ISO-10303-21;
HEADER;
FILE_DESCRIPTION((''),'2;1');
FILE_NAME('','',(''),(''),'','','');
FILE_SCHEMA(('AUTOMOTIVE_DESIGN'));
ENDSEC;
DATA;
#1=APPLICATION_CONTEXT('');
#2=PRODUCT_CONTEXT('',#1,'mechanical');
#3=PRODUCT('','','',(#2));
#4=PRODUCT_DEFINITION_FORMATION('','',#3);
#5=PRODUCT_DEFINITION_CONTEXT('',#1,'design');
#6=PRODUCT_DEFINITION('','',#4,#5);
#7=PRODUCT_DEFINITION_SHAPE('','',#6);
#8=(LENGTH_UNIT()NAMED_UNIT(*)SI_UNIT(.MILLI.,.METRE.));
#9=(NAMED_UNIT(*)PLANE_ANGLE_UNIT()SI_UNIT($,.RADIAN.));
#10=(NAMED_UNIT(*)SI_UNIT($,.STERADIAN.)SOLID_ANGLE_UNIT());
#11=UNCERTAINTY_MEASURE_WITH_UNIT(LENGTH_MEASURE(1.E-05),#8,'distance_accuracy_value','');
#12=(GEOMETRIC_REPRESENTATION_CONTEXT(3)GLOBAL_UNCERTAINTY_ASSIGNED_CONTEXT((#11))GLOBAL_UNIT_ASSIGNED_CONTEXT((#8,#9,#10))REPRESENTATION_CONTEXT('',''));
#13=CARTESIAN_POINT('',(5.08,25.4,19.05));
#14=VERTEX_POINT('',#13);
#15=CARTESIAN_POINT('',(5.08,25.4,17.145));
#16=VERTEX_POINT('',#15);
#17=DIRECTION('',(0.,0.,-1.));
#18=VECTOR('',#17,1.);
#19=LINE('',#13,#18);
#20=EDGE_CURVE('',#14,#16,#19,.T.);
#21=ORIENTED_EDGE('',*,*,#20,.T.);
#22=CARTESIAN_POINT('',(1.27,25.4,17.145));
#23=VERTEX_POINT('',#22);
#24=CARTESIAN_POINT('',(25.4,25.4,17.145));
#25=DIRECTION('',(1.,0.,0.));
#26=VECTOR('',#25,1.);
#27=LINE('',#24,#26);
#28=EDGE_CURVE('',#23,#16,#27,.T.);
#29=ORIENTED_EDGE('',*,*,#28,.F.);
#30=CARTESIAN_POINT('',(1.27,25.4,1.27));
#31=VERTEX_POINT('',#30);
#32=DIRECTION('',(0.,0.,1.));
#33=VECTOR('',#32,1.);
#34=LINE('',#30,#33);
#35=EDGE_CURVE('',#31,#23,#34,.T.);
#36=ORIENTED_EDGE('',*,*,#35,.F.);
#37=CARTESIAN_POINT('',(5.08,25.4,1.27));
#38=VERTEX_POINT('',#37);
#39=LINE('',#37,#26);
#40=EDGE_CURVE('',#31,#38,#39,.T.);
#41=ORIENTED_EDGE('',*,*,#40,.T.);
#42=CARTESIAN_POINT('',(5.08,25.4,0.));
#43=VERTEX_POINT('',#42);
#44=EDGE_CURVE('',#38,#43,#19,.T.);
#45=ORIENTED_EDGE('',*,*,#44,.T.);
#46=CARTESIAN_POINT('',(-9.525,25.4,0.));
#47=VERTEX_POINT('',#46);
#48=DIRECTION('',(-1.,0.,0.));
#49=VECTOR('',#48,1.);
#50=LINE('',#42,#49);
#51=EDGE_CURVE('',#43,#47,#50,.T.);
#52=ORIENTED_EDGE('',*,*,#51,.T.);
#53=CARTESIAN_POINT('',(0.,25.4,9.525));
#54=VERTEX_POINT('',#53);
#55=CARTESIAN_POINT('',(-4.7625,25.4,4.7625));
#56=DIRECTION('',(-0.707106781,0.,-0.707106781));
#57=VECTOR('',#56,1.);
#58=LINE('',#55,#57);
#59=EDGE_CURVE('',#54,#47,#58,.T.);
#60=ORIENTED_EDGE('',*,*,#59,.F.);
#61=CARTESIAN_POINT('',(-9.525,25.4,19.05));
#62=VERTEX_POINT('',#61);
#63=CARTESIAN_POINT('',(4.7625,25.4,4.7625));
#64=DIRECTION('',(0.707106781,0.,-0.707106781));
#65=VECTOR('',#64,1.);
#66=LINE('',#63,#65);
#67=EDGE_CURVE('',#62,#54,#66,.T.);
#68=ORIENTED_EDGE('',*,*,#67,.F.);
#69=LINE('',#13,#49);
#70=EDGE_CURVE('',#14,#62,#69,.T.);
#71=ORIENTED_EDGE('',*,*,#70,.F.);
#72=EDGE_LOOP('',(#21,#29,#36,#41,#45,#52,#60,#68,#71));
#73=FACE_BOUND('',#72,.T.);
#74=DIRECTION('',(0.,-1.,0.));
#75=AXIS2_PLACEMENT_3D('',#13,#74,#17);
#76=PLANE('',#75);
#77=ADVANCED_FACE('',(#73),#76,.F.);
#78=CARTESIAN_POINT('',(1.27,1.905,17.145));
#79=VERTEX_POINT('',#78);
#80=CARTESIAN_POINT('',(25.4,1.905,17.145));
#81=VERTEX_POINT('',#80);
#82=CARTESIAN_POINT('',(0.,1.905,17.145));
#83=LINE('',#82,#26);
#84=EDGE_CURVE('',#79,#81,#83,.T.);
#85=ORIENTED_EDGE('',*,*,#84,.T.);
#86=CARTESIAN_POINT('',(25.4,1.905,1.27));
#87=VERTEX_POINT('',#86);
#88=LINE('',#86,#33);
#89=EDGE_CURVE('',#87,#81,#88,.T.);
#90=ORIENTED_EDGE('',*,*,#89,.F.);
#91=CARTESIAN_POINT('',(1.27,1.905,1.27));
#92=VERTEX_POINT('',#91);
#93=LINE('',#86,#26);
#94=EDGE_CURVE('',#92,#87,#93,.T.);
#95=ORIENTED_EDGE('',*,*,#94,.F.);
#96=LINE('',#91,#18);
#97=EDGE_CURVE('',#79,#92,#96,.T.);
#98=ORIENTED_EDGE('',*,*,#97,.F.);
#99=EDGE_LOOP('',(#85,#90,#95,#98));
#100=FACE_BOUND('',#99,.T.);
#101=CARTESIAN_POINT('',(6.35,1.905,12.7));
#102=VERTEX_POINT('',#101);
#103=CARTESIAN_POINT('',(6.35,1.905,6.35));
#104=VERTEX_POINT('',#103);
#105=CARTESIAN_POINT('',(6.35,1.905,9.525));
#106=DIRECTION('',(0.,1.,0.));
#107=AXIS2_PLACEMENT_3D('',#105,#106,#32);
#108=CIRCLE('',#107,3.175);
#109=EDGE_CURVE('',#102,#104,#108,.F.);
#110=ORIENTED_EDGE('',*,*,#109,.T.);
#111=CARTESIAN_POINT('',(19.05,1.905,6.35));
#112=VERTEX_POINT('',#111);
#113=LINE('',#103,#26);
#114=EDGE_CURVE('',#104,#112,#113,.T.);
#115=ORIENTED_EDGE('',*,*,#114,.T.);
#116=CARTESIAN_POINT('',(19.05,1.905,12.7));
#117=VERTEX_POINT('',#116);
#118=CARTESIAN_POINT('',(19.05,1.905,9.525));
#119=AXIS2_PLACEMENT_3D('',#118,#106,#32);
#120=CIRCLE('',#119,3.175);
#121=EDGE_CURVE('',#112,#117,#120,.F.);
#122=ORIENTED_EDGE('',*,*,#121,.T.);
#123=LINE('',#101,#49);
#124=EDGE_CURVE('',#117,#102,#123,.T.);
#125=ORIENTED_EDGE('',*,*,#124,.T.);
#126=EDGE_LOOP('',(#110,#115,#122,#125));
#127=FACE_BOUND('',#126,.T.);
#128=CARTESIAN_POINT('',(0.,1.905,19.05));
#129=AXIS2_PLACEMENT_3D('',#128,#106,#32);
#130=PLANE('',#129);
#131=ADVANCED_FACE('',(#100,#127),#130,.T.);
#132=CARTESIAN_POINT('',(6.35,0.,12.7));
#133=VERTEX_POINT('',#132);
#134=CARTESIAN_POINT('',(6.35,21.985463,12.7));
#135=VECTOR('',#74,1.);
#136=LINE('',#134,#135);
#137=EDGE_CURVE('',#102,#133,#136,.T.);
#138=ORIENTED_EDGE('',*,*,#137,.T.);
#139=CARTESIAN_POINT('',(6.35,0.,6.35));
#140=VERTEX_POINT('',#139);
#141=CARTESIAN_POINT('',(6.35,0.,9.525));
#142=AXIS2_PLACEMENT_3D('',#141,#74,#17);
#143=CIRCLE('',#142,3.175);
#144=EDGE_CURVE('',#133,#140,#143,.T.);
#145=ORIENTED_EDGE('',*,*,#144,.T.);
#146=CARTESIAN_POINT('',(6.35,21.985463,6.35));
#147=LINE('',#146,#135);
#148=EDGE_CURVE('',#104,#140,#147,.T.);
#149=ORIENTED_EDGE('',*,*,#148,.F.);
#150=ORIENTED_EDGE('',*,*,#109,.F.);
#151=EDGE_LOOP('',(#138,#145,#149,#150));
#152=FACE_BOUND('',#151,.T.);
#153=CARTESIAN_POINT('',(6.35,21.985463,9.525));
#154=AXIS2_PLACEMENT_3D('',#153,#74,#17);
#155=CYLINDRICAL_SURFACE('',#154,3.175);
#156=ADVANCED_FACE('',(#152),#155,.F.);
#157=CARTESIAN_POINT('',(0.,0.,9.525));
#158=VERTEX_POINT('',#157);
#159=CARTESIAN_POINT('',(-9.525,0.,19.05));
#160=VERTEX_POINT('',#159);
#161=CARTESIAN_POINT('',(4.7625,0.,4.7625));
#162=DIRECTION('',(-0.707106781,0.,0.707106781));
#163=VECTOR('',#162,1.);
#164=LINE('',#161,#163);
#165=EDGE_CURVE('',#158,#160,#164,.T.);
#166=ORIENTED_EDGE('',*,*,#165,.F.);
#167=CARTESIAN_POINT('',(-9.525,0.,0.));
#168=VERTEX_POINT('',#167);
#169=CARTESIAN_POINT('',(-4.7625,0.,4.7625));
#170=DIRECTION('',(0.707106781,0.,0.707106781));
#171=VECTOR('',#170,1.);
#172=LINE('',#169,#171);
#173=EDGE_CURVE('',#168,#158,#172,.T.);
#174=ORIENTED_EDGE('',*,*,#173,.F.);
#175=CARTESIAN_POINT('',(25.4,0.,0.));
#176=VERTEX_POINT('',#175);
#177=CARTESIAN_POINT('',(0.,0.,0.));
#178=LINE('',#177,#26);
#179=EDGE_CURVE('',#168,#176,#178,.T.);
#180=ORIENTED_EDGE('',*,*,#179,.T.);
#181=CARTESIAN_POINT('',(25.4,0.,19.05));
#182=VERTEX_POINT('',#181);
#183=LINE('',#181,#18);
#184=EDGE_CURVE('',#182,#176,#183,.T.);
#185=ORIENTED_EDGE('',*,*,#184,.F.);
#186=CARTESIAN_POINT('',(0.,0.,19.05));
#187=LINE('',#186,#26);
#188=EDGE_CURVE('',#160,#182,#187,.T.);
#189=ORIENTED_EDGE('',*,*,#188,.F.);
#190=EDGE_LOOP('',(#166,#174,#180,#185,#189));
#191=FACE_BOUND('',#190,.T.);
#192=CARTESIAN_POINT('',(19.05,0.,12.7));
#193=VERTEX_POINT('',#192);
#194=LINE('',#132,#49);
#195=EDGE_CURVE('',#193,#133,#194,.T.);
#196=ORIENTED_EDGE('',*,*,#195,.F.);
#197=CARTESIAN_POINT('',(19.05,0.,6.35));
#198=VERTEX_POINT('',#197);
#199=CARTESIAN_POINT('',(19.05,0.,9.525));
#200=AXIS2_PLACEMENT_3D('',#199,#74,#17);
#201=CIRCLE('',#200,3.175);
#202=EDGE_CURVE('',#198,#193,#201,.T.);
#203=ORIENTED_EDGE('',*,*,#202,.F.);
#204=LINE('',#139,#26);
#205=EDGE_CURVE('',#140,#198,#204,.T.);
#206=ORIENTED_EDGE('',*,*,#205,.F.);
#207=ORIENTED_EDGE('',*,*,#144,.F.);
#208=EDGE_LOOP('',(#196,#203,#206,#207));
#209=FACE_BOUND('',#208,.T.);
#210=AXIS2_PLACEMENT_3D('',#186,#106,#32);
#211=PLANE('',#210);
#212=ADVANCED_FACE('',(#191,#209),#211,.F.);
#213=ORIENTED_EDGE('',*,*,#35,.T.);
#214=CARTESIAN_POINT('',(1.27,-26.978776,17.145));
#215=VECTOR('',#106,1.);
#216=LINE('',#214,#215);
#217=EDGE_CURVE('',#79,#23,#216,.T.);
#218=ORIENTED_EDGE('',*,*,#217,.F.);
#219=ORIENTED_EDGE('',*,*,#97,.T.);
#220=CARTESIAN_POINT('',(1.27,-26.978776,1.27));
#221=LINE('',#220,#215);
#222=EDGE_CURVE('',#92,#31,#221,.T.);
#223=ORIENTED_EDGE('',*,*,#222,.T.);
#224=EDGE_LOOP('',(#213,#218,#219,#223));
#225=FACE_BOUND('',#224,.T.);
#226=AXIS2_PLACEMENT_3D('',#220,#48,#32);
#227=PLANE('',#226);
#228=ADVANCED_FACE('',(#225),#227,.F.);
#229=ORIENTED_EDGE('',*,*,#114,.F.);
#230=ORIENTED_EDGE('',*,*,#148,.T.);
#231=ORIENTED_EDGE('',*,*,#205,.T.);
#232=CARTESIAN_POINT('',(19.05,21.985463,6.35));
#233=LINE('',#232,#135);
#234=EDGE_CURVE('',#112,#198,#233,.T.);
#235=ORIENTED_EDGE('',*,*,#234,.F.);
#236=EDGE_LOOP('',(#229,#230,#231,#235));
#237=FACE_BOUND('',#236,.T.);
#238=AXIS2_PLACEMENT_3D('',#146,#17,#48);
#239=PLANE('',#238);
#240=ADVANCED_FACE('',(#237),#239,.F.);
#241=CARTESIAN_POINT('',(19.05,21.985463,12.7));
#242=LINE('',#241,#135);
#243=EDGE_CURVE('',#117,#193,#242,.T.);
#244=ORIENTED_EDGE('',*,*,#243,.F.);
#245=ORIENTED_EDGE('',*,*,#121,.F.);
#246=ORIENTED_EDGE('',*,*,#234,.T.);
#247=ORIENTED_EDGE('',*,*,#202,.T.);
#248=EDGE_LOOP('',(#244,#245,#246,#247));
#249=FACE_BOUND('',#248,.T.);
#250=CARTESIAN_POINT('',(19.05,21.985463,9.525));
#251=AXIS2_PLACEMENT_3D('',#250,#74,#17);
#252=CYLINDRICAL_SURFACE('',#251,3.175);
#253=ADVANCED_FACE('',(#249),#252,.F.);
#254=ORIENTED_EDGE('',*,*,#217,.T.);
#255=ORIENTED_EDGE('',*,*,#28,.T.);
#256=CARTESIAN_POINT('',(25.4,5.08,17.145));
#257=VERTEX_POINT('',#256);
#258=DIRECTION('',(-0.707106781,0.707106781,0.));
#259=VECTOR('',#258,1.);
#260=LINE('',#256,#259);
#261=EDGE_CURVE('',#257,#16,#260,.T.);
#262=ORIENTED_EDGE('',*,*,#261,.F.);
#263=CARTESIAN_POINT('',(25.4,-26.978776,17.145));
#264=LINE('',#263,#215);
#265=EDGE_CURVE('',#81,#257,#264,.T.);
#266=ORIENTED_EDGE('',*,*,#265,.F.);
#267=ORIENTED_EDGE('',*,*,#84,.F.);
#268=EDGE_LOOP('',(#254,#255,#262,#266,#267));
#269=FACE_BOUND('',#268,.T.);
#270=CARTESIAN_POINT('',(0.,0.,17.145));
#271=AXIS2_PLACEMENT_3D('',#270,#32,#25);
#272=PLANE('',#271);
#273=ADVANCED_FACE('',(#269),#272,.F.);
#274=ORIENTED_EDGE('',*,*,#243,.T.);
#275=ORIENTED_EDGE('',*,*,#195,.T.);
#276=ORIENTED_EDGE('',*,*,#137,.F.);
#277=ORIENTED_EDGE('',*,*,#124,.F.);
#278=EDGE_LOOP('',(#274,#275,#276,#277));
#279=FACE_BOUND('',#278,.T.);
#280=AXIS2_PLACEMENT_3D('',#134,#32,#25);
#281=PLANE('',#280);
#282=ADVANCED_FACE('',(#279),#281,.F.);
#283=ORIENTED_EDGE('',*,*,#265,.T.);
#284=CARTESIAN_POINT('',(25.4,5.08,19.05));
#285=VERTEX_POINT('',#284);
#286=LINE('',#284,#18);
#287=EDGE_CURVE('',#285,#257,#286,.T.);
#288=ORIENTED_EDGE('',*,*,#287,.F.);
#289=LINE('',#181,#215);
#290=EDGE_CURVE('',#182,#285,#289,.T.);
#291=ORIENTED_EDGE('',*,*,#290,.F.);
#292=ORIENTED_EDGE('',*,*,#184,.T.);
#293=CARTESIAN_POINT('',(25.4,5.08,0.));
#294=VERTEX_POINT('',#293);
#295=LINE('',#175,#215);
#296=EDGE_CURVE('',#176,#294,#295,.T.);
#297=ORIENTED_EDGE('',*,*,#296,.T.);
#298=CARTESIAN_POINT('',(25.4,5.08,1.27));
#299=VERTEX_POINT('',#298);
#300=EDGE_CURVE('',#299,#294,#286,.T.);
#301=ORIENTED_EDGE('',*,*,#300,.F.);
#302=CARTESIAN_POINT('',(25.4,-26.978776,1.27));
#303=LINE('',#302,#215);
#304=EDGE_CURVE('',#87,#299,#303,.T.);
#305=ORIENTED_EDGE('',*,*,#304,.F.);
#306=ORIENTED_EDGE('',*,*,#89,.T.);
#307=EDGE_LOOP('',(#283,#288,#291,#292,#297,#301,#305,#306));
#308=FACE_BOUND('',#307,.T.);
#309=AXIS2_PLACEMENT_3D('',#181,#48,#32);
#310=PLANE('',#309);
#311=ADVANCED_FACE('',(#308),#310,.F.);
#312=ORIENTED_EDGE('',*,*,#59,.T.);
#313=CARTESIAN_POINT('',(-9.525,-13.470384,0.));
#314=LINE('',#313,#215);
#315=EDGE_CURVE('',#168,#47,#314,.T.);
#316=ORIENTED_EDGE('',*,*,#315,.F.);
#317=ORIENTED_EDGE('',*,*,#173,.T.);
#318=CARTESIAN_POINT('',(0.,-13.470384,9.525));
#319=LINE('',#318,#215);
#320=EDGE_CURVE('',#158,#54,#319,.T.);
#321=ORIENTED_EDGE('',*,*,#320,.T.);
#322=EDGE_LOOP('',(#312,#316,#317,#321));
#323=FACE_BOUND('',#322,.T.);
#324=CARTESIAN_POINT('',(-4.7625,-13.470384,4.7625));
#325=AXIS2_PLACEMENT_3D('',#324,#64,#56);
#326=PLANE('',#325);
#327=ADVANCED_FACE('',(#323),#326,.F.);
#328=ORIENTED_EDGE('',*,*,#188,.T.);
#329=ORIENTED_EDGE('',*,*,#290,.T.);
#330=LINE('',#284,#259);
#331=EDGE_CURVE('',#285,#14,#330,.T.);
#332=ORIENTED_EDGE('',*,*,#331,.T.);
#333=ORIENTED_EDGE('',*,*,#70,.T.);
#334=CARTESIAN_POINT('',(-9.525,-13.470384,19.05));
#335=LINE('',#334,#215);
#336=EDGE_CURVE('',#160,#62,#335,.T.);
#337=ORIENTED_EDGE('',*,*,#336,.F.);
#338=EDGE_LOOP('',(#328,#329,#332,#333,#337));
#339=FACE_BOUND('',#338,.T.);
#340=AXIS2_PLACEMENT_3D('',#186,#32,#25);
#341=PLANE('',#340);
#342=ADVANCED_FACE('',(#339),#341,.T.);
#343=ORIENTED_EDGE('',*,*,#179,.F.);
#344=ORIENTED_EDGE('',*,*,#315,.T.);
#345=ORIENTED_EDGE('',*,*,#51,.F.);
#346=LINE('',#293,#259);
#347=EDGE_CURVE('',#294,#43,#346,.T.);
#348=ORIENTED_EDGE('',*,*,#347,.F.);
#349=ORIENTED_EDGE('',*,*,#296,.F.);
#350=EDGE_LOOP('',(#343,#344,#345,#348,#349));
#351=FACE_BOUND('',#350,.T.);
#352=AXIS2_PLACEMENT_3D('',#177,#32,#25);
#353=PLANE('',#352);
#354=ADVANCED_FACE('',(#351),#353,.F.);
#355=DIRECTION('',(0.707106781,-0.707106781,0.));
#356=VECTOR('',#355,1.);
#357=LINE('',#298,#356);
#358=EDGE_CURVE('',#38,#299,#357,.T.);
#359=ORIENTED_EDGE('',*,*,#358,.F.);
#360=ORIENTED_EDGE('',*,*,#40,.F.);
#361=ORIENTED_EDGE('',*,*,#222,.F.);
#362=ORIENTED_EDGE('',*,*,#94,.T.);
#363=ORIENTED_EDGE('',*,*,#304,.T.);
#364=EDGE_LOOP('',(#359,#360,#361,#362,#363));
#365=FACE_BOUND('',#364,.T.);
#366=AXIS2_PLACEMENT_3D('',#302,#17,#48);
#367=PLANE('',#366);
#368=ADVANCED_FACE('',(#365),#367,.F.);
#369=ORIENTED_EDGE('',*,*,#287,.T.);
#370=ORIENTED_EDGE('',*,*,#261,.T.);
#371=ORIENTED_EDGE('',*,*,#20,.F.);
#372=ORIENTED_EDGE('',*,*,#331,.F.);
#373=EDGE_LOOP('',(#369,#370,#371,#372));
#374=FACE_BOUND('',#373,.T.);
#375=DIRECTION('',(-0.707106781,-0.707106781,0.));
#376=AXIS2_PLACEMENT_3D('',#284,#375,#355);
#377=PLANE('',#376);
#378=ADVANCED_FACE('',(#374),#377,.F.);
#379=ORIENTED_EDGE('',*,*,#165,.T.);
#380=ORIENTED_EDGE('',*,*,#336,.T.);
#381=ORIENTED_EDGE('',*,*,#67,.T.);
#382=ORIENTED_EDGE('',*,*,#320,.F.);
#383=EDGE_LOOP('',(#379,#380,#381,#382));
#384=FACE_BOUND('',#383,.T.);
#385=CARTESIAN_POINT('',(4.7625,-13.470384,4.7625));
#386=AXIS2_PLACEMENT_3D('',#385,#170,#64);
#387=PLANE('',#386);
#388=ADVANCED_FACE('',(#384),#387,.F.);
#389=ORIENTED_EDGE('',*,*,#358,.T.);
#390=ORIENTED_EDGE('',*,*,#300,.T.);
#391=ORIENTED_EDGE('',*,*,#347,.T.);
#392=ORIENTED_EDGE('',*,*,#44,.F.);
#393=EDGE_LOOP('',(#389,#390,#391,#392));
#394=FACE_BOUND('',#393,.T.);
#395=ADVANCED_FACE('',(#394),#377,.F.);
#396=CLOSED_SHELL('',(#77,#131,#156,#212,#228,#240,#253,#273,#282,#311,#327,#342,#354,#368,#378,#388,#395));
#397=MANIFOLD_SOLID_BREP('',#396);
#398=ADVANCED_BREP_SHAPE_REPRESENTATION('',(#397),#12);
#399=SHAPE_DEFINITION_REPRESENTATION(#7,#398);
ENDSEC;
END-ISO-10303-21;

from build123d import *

# Parameters (mm, degrees)
BOSS_EXTRUDE1_DEPTH = 19.05
SHELL1_T            = -1.905
CUT_EXTRUDE1_DEPTH  = 1.905
BOSS_EXTRUDE2_DEPTH = 25.4
CUT_EXTRUDE2_START  = -23.495
SKETCH5_W           = 24.13
SKETCH5_H           = 15.875
CUT_EXTRUDE2_DEPTH  = 23.495


with BuildPart() as part:
    # Sketch1 → Boss-Extrude1 (new body)
    with BuildSketch(Plane.XY):
        Polygon((0, 0), (25.4, 0), (25.4, 5.08), (5.08, 25.4), (0, 25.4), align=None)
    extrude(amount=BOSS_EXTRUDE1_DEPTH)

    # Shell1
    shell1_openings = [part.faces().sort_by_distance(p)[0] for p in [
        (15.24, 15.24, 9.525),
    ]]
    offset(amount=SHELL1_T, openings=shell1_openings, kind=Kind.INTERSECTION)

    # Sketch2 → Cut-Extrude1 (cut)
    with BuildSketch(Plane.XZ):
        with BuildLine():
            Line((6.35, 12.7), (19.05, 12.7))
            ThreePointArc((19.05, 12.7), (22.225, 9.525), (19.05, 6.35))
            Line((19.05, 6.35), (6.35, 6.35))
            ThreePointArc((6.35, 6.35), (3.175, 9.525), (6.35, 12.7))
        make_face()
    extrude(amount=-CUT_EXTRUDE1_DEPTH, mode=Mode.SUBTRACT)

    # Sketch3 → Boss-Extrude2 (add)
    with BuildSketch(Plane(origin=(0, 25.4, 0), x_dir=(1, 0, 0), z_dir=(0, 1, 0))):
        Polygon((-9.525, 0), (0, -9.525), (0, 0), align=None)
        Polygon((0, -19.05), (0, -9.525), (-9.525, -19.05), align=None)
    extrude(amount=-BOSS_EXTRUDE2_DEPTH)

    # Sketch5 → Cut-Extrude2 (cut)
    with BuildSketch(Plane(origin=(0, 25.4, 0), x_dir=(1, 0, 0), z_dir=(0, 1, 0)).offset(CUT_EXTRUDE2_START)):
        with Locations((13.335, -9.2075)):
            Rectangle(SKETCH5_W, SKETCH5_H)
    extrude(amount=CUT_EXTRUDE2_DEPTH, mode=Mode.SUBTRACT)


solid = part.part
